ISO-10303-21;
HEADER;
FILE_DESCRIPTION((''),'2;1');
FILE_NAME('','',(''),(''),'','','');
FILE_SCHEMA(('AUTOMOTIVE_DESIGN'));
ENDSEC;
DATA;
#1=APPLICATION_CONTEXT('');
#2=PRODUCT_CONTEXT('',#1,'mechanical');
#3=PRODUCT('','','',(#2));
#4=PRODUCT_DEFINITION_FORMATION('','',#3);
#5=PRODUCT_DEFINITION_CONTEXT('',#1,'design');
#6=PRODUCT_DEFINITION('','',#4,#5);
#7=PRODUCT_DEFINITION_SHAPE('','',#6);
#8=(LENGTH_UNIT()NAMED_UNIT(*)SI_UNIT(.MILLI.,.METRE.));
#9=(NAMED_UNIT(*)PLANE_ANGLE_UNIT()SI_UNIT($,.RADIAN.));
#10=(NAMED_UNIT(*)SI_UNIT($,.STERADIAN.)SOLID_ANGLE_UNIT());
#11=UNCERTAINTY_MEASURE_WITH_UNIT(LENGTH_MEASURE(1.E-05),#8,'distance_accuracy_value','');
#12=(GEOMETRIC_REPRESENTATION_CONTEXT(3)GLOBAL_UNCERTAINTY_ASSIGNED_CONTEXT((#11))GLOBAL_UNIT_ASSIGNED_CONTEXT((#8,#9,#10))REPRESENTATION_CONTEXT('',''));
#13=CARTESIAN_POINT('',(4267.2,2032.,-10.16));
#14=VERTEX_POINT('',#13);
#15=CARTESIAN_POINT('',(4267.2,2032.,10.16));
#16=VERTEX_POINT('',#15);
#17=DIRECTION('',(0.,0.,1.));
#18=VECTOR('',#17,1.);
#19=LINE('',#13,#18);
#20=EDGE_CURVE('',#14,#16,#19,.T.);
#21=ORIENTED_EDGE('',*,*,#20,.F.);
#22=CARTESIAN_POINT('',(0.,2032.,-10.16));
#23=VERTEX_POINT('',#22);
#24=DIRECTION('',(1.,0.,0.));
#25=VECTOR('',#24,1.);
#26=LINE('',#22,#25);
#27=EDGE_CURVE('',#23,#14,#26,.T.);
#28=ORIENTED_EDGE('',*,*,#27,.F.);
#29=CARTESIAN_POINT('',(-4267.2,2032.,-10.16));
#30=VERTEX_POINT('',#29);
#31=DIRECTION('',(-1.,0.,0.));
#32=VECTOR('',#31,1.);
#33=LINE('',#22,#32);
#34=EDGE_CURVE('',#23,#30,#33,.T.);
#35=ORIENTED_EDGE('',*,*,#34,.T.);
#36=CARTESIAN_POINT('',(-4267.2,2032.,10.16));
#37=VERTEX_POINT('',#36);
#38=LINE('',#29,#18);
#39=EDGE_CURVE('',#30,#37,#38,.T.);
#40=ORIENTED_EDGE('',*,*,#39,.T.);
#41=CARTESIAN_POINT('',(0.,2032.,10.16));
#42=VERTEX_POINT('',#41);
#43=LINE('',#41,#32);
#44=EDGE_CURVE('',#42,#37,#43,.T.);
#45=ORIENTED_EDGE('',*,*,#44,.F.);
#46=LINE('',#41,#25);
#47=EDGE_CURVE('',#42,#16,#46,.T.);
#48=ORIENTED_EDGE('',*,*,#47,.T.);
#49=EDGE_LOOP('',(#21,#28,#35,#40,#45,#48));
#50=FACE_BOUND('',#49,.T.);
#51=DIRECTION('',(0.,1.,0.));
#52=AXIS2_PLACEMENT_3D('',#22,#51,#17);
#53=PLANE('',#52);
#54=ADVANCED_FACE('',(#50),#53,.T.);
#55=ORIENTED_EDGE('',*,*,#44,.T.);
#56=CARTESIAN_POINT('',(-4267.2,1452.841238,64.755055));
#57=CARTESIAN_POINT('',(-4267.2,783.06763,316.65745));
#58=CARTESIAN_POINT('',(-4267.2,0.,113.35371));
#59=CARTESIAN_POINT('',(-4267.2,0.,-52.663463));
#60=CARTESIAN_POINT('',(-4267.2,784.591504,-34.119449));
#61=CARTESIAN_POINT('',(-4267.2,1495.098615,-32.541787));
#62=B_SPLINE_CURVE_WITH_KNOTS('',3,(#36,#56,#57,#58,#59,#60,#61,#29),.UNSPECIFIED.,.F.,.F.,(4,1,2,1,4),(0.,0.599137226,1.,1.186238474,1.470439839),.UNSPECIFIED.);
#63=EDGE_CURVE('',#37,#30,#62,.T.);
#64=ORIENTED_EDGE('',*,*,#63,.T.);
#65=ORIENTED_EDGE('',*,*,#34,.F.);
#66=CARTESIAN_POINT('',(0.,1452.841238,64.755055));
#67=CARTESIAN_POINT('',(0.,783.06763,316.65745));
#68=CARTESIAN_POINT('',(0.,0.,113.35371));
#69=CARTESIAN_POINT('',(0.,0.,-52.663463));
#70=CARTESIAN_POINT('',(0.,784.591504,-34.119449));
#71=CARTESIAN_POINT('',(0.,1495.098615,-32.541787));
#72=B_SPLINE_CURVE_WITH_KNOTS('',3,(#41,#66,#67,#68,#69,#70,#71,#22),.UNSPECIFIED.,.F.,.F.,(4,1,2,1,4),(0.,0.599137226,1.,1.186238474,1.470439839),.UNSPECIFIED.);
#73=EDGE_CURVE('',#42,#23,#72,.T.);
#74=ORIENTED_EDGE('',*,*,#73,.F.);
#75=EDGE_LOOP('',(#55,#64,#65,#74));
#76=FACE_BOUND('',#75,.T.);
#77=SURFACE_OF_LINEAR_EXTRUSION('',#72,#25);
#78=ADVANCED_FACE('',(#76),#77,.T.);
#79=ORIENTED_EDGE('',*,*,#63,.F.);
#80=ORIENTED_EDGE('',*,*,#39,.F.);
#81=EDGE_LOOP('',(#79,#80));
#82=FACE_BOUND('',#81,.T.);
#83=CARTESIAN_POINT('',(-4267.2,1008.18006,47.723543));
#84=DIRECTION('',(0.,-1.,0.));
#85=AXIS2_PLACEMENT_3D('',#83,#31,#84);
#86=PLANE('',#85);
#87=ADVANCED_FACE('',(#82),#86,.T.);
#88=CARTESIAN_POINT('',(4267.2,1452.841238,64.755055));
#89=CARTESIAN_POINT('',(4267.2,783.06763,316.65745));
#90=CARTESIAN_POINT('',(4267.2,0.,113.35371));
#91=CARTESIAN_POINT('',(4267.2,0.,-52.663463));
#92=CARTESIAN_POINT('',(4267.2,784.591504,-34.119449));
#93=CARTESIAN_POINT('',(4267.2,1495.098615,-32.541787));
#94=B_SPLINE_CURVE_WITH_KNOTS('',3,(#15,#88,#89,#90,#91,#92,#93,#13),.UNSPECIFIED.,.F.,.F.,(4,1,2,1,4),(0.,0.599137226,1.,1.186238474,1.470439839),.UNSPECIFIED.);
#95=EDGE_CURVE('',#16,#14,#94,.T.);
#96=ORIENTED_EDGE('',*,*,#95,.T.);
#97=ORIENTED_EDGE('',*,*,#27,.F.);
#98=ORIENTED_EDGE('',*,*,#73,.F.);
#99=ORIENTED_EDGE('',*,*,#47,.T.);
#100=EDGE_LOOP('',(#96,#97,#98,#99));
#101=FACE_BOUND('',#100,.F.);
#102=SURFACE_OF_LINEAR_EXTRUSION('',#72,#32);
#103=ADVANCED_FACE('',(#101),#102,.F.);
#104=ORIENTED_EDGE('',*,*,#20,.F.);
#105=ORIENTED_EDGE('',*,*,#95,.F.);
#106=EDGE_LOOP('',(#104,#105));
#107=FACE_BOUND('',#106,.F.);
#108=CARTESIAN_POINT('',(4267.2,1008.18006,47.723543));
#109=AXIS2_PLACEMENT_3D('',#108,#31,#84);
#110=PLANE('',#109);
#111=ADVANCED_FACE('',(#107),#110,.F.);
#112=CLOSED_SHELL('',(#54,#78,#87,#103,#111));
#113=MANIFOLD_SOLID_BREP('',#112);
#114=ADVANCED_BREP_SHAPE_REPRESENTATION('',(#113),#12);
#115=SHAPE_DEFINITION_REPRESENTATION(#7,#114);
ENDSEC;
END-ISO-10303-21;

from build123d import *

# Parameters (mm, degrees)
F2_DEPTH = 4267.2


with BuildPart() as f2:
    # F1 (on Right) → F2 (new body, symmetric)
    with BuildSketch(Plane.YZ):
        with BuildLine():
            add(Edge.make_bspline(
                [(0, 0), (0, 113.3537102845), (783.0676300162, 316.6574498467), (1452.8412378293, 64.7550552938), (2032, 10.16)],
                knots=[0, 0, 0, 0, 0.4008627745, 1, 1, 1, 1], degree=3))
            add(Edge.make_bspline(
                [(0, 0), (0, -52.6634632164), (784.591504214, -34.1194488473), (1495.0986151983, -32.5417871578), (2032, -10.16)],
                knots=[0, 0, 0, 0, 0.3958815948, 1, 1, 1, 1], degree=3))
            Line((2032, -10.16), (2032, 10.16))
        make_face()
    extrude(amount=F2_DEPTH, both=True)


solid = f2.part
